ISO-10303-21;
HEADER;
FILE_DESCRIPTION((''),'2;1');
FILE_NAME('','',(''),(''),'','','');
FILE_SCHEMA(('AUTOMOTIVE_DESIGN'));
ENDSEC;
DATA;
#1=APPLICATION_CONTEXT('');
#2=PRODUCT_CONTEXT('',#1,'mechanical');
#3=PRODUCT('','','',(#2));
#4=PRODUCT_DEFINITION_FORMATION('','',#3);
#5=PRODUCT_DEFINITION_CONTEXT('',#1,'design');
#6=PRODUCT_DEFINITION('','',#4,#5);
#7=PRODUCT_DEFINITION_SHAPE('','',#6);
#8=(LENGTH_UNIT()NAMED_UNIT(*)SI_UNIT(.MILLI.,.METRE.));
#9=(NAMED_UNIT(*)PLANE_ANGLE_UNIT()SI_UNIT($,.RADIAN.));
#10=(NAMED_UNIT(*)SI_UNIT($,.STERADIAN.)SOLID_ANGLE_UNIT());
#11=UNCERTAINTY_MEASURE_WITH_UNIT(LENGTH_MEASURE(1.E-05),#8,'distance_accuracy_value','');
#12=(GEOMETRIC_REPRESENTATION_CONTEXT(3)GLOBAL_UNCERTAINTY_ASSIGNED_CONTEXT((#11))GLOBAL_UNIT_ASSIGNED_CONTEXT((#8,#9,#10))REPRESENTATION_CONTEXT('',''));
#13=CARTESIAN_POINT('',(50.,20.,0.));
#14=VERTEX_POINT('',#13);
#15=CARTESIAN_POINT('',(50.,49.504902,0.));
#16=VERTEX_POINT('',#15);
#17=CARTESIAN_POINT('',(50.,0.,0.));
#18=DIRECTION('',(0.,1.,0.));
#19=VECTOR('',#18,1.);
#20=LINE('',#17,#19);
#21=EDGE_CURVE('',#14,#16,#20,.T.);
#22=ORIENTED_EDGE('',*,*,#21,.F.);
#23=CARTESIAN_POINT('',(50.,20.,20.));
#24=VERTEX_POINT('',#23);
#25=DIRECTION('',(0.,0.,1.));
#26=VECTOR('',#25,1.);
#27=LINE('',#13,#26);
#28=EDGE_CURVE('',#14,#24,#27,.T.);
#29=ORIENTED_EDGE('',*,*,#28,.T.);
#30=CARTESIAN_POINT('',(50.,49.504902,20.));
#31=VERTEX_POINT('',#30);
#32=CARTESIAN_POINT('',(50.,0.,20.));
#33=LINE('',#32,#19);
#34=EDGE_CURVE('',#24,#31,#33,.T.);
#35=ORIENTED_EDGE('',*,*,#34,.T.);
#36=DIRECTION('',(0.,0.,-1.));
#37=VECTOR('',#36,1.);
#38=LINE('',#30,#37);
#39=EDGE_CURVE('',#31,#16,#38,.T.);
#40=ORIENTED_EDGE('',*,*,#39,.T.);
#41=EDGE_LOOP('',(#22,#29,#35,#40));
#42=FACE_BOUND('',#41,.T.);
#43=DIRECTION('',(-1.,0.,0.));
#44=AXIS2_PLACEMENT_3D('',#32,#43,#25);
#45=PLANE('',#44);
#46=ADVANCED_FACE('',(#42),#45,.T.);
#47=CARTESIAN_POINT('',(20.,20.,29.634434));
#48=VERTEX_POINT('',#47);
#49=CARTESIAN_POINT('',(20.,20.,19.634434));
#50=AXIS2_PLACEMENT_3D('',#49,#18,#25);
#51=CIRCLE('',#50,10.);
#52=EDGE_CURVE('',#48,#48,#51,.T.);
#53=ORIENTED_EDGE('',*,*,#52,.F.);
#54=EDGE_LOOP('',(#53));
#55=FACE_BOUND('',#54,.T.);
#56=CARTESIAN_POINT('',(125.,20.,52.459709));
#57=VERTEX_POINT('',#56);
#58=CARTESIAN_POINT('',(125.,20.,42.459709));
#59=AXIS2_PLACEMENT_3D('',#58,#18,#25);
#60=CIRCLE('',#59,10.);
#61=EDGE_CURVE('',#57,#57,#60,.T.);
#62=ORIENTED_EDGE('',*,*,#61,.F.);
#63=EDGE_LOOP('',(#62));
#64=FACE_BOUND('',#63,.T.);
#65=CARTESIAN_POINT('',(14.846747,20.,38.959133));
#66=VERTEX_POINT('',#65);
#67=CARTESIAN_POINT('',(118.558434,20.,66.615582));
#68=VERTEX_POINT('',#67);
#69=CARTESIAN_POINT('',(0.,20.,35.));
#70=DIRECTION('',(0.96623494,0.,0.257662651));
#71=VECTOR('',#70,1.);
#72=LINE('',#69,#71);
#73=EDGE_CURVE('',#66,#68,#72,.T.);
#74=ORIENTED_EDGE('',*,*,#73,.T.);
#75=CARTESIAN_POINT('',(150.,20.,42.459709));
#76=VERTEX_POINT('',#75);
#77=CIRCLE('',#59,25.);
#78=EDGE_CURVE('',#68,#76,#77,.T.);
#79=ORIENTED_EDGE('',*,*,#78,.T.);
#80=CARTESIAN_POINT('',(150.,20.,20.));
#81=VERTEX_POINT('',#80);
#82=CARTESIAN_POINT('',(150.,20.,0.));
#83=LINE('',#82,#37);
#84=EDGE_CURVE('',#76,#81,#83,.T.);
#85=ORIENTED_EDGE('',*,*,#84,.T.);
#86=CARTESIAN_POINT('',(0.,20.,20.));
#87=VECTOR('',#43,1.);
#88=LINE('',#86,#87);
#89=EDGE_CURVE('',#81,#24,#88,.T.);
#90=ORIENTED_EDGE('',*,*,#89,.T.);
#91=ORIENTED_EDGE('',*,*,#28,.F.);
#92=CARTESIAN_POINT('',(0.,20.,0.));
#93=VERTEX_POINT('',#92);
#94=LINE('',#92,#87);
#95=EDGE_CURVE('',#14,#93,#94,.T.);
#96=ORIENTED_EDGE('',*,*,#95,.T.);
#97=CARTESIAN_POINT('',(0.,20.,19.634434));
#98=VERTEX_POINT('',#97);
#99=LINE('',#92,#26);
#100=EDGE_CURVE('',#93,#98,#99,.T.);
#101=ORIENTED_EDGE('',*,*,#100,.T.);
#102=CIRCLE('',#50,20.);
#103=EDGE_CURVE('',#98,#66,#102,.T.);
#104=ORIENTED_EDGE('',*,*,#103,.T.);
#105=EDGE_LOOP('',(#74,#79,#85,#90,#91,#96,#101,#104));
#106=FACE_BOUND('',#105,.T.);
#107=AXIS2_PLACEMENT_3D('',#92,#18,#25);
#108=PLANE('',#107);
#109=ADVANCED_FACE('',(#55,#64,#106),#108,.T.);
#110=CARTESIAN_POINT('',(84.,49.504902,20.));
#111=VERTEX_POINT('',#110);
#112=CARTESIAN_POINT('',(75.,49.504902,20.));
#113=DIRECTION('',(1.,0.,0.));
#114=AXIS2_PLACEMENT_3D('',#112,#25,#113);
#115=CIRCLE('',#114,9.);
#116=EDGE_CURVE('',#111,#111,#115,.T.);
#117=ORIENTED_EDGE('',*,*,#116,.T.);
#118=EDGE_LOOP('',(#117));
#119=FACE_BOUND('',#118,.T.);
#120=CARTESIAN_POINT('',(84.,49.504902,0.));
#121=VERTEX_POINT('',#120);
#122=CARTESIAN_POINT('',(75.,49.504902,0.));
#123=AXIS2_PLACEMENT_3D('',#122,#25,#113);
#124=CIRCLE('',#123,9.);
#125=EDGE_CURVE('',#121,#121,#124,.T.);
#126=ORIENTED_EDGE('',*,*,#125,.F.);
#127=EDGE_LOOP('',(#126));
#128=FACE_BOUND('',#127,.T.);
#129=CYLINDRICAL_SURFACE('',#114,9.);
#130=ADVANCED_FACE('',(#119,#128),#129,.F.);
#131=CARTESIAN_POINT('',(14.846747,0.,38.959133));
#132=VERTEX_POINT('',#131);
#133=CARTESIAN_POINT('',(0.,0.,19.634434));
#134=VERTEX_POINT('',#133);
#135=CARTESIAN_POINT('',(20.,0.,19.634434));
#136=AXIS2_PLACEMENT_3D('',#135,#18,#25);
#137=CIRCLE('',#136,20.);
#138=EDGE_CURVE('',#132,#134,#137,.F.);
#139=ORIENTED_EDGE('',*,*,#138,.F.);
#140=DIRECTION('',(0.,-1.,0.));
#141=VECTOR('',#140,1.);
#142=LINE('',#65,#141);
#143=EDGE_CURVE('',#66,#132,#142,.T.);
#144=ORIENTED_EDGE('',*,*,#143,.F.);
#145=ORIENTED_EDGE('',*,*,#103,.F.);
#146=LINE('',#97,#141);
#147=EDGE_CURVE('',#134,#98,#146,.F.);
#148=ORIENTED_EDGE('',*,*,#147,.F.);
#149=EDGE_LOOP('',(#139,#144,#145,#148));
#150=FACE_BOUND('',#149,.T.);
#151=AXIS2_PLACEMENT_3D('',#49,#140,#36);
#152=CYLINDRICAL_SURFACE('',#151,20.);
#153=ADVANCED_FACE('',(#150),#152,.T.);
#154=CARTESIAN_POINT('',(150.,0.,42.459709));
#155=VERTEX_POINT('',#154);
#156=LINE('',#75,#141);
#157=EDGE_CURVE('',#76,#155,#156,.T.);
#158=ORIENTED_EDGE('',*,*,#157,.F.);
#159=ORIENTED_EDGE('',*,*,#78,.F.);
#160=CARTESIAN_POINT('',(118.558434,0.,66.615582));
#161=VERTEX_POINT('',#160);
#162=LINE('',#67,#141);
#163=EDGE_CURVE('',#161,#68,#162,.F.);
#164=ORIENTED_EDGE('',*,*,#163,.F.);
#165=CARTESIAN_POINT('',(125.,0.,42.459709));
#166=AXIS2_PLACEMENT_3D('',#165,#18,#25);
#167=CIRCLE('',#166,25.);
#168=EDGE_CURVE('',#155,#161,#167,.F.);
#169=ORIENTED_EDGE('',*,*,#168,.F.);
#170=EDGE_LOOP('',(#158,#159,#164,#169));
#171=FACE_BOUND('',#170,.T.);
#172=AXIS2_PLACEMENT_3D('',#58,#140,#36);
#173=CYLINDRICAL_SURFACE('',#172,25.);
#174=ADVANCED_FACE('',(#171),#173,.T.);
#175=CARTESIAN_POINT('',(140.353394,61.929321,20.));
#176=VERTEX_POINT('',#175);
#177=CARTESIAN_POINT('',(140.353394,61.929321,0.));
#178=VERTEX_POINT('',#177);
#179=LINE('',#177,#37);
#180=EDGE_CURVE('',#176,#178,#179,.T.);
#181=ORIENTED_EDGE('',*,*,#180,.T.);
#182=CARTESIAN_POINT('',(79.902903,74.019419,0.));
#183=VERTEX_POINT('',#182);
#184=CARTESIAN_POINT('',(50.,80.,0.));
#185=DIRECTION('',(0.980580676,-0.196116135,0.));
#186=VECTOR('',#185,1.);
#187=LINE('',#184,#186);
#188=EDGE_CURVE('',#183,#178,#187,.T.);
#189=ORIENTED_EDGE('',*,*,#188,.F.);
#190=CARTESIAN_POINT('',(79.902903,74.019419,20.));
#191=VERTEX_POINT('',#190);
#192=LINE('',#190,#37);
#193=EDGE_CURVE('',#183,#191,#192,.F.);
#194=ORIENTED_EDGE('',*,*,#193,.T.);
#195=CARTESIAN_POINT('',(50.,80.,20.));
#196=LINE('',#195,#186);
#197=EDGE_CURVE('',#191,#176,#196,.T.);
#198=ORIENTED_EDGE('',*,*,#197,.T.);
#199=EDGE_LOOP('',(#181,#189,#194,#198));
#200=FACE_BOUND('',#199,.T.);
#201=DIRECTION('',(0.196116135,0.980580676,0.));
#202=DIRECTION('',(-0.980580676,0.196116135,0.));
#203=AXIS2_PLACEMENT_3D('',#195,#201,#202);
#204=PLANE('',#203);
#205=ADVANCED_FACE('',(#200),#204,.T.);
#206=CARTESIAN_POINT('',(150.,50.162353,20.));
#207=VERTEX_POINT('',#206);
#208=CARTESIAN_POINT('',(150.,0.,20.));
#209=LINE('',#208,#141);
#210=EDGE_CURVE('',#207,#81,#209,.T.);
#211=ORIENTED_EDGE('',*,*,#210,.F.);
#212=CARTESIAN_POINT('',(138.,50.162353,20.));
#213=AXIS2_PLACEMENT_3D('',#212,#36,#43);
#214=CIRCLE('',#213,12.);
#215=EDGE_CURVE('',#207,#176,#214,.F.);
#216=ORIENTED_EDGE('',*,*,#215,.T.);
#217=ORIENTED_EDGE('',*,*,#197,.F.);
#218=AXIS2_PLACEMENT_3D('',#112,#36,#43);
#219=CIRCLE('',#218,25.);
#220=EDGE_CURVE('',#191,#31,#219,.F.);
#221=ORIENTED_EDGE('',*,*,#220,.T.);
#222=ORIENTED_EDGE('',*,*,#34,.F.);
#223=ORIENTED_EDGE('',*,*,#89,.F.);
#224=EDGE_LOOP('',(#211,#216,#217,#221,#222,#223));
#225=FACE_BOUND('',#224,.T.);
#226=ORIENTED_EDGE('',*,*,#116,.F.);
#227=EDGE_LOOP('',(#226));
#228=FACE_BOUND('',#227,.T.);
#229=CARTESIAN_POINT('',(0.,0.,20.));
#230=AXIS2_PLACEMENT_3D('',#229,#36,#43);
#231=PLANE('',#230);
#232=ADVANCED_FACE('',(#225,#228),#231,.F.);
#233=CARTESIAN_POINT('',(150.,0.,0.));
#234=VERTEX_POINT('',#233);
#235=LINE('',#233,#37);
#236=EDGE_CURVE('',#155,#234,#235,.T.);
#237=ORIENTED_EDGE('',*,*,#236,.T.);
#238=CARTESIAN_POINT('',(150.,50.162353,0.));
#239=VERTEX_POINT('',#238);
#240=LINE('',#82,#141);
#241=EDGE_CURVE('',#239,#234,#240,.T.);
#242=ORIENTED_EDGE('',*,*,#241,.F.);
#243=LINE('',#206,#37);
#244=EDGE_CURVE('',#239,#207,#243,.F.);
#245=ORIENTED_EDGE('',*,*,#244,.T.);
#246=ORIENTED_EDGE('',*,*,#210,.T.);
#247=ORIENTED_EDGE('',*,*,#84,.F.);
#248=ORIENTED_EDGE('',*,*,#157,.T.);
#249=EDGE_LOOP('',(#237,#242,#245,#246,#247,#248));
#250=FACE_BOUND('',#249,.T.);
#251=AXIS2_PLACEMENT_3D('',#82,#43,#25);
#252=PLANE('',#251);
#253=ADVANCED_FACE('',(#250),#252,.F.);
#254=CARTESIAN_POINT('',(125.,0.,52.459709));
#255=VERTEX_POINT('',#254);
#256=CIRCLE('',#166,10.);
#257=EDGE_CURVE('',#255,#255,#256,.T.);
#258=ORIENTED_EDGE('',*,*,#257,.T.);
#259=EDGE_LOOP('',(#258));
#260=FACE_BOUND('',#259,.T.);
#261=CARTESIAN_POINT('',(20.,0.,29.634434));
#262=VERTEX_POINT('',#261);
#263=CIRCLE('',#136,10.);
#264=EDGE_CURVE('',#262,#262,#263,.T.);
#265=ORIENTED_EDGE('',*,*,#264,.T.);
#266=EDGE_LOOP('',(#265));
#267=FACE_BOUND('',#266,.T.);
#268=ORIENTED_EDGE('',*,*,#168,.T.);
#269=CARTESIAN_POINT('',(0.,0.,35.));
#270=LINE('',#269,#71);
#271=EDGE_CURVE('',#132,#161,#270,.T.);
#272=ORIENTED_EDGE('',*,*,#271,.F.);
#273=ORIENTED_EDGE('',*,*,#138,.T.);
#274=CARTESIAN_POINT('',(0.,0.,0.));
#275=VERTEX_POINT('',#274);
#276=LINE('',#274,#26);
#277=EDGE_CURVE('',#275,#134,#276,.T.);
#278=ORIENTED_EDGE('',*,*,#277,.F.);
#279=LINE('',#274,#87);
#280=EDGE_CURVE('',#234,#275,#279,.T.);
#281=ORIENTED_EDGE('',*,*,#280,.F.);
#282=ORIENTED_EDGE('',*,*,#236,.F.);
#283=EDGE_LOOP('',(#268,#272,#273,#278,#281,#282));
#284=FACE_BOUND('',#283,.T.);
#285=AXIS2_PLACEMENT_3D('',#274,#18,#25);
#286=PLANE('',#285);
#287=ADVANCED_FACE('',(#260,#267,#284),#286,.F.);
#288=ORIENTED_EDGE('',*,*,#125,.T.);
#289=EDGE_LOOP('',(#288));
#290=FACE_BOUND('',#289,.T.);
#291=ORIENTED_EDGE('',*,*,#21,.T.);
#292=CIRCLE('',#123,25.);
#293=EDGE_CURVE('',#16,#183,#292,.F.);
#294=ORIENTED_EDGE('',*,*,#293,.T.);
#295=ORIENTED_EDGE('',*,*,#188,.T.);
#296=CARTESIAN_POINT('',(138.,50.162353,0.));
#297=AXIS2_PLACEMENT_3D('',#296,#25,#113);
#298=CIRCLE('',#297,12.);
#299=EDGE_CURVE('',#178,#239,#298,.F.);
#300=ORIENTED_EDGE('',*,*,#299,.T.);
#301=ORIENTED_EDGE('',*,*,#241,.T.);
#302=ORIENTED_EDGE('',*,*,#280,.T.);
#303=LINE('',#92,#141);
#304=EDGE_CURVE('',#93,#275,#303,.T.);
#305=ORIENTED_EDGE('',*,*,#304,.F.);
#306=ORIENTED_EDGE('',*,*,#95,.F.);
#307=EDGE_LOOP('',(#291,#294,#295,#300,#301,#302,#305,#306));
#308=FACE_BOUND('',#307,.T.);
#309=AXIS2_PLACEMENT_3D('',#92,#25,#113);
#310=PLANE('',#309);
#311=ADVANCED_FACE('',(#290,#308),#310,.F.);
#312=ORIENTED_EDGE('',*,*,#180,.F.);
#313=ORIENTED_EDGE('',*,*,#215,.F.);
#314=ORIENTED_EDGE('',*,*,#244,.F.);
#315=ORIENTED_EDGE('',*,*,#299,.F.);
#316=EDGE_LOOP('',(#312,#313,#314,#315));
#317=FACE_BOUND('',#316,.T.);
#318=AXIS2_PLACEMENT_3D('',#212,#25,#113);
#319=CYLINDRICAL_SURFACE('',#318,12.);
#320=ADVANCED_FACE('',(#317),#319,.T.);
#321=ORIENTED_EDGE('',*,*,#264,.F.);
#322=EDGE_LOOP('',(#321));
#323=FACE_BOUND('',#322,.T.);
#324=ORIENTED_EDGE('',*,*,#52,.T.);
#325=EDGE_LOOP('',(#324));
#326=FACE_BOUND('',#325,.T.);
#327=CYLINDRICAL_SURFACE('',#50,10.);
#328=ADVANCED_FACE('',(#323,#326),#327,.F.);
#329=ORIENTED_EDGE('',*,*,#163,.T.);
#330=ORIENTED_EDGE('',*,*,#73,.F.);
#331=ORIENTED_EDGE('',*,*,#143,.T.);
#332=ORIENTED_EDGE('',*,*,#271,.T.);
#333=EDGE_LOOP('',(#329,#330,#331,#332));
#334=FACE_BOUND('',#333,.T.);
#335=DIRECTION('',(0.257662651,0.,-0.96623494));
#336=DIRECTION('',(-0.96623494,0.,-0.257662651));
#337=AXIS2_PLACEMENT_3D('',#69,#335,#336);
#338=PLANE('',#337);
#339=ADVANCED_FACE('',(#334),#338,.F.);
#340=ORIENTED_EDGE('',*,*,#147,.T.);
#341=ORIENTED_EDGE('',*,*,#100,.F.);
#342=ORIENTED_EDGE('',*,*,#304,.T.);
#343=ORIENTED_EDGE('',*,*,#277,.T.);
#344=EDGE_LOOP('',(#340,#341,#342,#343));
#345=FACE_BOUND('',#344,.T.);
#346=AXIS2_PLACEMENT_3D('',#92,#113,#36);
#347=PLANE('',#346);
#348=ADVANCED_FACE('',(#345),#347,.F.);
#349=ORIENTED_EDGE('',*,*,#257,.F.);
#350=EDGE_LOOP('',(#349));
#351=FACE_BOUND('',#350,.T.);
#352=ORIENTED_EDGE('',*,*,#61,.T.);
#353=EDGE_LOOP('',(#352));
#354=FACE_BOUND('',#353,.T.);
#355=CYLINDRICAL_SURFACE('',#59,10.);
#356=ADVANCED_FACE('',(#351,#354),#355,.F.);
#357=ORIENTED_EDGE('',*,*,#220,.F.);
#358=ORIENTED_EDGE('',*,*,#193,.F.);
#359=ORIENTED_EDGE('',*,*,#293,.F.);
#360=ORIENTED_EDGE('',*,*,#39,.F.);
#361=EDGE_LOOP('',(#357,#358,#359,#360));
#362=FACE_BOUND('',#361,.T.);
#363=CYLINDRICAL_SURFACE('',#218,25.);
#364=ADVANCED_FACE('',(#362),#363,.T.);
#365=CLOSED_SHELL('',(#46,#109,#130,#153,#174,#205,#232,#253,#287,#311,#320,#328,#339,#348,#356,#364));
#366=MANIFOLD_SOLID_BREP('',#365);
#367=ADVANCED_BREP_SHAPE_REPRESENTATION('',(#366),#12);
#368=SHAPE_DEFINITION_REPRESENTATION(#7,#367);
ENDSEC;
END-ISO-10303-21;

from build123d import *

# Parameters (mm, degrees)
BOSS_EXTRUDE1_DEPTH        = 20
BOSS_EXTRUDE2_DEPTH        = 20
FILLET1_R                  = 20
FILLET2_R                  = 25
FILLET3_R                  = 12
F_20_0_20_DIAMETER_HOLE1_D = 20
F_18_0_18_DIAMETER_HOLE1_D = 18


with BuildPart() as part:
    # Sketch1 → Boss-Extrude1 (new body)
    with BuildSketch(Plane(origin=(0, 0, 0), x_dir=(1, 0, 0), z_dir=(0, 1, 0))):
        Polygon((0, 0), (150, 0), (150, -75), (0, -35), align=None)
    extrude(amount=BOSS_EXTRUDE1_DEPTH)

    # Sketch2 → Boss-Extrude2 (add)
    with BuildSketch(Plane(origin=(0, 0, 0), x_dir=(-1, 0, 0), z_dir=(0, 0, -1))):
        Polygon((-50, 0), (-150, 0), (-150, 60), (-50, 80), align=None)
    extrude(amount=-BOSS_EXTRUDE2_DEPTH)

    # Fillet1
    fillet1_edges = [part.edges().sort_by_distance(p)[0] for p in [
        (0, 10, 35),
    ]]
    fillet(fillet1_edges, radius=FILLET1_R)

    # Fillet2
    fillet2_edges = [part.edges().sort_by_distance(p)[0] for p in [
        (50, 80, 10),
        (150, 10, 75),
    ]]
    fillet(fillet2_edges, radius=FILLET2_R)

    # Fillet3
    fillet3_edges = [part.edges().sort_by_distance(p)[0] for p in [
        (150, 60, 10),
    ]]
    fillet(fillet3_edges, radius=FILLET3_R)

    # Ø20.0 (20) Diameter Hole1 (through all)
    with Locations(Plane(origin=(0, 20, 0), x_dir=(1, 0, 0), z_dir=(0, 1, 0))):
        with Locations((20, -19.634433738), (125, -42.45970884)):
            Hole(F_20_0_20_DIAMETER_HOLE1_D / 2)

    # Ø18.0 (18) Diameter Hole1 (through all)
    with Locations(Plane.XY.offset(20)):
        with Locations((75, 49.504902432)):
            Hole(F_18_0_18_DIAMETER_HOLE1_D / 2)


solid = part.part
